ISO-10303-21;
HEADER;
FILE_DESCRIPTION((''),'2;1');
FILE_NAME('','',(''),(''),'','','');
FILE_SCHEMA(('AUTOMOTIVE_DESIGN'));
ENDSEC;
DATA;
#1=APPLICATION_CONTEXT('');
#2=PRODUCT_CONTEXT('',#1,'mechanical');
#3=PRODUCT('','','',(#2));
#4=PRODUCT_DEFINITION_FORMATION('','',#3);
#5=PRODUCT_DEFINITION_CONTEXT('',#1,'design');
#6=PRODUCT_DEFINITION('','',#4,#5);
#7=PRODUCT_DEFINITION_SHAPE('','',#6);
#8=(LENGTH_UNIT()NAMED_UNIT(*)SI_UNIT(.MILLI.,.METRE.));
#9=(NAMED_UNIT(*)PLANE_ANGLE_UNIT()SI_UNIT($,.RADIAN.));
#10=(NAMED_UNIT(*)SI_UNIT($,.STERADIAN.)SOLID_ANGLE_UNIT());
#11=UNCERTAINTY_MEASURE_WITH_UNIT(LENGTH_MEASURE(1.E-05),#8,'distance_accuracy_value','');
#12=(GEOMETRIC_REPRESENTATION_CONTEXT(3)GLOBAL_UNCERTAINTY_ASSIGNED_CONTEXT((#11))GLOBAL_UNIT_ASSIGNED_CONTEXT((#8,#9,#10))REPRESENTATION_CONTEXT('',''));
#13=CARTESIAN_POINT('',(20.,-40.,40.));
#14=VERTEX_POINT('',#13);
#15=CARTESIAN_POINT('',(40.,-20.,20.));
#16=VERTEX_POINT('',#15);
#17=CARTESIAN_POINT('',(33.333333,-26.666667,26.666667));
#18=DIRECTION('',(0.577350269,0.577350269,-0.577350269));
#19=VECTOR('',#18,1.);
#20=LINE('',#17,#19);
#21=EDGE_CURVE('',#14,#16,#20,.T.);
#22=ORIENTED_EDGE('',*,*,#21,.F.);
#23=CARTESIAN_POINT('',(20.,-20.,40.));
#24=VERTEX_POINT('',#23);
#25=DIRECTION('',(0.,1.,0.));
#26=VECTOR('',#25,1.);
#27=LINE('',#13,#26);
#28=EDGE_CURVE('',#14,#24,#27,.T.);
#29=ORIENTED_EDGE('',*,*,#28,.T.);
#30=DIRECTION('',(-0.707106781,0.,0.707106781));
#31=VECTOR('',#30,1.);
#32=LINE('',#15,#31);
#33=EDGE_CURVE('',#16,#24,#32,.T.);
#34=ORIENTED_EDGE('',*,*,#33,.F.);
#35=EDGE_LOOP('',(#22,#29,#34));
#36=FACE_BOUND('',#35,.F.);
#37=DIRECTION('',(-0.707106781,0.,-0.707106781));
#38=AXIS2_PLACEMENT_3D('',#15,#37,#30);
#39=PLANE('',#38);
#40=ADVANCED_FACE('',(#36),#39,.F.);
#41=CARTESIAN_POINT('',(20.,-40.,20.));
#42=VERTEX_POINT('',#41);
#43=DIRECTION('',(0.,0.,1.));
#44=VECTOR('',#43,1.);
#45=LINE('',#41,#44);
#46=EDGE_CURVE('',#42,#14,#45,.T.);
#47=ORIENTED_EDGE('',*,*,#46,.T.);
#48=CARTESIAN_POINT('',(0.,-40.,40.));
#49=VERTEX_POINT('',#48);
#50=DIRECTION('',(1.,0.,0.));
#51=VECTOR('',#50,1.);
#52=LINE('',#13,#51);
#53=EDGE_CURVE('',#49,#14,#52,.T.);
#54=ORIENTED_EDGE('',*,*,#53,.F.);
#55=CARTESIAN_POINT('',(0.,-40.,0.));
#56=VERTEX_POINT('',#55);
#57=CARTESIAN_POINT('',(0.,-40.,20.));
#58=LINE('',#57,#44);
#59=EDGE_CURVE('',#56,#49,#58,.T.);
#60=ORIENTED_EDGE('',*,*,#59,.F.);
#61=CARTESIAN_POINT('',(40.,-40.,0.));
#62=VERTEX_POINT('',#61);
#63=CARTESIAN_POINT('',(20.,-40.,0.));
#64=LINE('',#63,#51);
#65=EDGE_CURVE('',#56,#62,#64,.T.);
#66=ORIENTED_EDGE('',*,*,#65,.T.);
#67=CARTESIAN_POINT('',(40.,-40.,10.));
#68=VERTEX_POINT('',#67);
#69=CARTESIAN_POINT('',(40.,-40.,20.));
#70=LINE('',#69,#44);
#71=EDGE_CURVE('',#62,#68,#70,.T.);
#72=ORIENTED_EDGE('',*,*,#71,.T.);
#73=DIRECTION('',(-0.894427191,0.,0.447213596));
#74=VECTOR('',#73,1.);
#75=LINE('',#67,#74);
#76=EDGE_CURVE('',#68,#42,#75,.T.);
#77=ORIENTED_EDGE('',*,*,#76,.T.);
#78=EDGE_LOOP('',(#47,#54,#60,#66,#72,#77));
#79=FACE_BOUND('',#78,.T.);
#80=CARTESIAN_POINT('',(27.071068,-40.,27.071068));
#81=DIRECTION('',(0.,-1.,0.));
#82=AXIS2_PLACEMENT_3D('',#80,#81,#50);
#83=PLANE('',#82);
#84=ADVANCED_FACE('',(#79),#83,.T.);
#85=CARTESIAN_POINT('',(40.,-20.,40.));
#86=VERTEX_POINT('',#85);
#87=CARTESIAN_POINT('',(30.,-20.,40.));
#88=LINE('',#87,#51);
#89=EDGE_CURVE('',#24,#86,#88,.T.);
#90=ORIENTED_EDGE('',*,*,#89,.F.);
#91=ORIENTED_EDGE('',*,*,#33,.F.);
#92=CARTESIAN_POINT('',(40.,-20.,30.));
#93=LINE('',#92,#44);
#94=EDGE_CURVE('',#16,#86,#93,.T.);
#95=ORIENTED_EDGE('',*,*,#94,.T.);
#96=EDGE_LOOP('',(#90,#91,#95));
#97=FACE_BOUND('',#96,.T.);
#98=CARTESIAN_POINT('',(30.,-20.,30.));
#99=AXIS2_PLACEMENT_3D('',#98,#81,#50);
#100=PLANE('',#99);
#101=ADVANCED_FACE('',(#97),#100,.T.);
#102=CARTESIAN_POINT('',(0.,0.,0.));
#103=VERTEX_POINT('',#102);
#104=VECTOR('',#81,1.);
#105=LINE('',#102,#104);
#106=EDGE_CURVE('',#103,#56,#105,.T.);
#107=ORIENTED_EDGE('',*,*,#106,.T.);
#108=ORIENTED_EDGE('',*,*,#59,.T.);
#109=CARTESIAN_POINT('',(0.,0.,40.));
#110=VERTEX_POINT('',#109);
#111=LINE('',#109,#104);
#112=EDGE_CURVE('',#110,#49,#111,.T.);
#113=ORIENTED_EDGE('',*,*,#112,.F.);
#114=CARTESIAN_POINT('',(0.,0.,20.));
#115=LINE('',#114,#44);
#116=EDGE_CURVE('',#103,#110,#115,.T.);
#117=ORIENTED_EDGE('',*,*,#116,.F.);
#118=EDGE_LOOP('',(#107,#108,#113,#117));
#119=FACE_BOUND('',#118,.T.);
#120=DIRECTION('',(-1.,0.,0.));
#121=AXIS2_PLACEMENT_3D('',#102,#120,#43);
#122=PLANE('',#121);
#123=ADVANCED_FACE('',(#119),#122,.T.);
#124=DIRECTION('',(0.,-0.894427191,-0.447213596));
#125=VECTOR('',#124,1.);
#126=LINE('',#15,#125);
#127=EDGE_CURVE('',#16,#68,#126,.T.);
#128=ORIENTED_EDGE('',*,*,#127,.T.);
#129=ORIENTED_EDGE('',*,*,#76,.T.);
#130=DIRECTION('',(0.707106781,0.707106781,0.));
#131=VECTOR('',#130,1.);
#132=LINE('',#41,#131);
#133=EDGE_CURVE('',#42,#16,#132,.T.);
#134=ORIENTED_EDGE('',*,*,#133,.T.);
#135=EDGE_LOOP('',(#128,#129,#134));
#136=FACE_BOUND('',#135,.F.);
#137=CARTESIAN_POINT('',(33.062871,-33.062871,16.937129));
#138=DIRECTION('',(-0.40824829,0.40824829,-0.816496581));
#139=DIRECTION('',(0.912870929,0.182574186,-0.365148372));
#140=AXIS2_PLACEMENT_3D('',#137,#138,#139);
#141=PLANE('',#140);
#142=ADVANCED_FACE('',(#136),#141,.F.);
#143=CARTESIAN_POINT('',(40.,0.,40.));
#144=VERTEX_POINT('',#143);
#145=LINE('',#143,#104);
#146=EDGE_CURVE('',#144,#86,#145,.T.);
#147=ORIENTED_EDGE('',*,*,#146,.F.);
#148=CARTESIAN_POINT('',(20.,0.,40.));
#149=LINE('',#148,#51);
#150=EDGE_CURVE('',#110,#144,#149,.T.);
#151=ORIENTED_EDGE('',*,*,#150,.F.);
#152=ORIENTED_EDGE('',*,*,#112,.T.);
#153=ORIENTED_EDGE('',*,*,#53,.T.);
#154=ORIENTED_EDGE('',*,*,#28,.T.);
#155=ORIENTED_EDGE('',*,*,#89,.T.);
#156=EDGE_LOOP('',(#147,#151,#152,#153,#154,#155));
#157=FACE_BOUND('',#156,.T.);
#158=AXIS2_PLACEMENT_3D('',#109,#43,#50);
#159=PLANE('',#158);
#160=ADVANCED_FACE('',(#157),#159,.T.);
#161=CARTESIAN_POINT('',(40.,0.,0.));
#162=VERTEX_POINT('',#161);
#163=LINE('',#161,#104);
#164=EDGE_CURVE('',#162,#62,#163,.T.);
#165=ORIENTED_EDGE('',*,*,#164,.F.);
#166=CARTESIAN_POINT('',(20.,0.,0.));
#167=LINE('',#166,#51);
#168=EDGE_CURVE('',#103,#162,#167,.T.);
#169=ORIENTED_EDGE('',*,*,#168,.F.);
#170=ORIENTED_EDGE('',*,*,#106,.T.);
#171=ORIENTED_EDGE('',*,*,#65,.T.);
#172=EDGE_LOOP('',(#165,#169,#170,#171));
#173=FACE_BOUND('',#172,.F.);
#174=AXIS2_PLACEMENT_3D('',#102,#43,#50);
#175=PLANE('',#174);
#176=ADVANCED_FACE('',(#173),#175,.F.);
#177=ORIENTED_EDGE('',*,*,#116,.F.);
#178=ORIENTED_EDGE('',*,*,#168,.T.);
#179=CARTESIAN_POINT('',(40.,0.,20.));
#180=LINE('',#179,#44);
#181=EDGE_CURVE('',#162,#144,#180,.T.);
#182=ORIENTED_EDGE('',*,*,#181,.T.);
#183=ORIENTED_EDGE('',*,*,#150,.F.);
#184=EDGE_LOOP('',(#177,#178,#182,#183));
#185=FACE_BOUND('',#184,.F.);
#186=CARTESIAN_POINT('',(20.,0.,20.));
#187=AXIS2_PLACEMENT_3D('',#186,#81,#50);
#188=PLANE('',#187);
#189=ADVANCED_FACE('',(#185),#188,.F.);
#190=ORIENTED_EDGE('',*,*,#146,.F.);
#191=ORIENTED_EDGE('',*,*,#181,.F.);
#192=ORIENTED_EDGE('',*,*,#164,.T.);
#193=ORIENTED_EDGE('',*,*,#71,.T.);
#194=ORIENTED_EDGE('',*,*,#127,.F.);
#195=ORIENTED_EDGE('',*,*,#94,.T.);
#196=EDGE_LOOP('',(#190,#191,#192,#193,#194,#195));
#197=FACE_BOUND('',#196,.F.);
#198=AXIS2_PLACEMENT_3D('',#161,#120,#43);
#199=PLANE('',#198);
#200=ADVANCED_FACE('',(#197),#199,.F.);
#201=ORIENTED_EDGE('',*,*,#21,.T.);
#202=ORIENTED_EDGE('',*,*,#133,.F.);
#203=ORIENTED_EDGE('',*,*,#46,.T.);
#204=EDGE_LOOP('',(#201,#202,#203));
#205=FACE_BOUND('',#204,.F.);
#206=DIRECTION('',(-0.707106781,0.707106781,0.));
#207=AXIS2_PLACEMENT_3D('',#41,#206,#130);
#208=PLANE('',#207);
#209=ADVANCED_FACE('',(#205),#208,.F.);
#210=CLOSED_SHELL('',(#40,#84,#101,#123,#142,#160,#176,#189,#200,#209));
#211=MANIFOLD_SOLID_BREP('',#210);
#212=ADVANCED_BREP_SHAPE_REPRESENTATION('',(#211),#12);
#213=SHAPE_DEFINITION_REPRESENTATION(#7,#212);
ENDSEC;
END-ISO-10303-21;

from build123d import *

# Parameters (mm, degrees)
F0_W      = 40
F0_H      = 40
F1_DEPTH  = 40
F2_W      = 20
F2_H      = 20
F3_DEPTH  = 20
F7_DEPTH  = 24.4958974278
F9_DEPTH  = 20
F11_DEPTH = 20


with BuildPart() as f1:
    # F0 (on Front) → F1 (new body)
    with BuildSketch(Plane.XZ):
        with Locations((20, 20)):
            Rectangle(F0_W, F0_H)
    extrude(amount=F1_DEPTH)

    # F2 (on face) → F3 (cut)
    with BuildSketch(Plane.XZ.offset(40)):
        with Locations((30, 30)):
            Rectangle(F2_W, F2_H)
    extrude(amount=-F3_DEPTH, mode=Mode.SUBTRACT)

    # F6 (on 3pt) → F7 (cut, through all)
    with BuildSketch(Plane(origin=(16.6666666667, -16.6666666667, 33.3333333333), x_dir=(0.9128709292, 0.1825741858, -0.3651483717), z_dir=(-0.4082482905, 0.4082482905, -0.8164965809))):
        Polygon((3.6514837167, 26.83281573), (25.5603860169, 8.94427191), (25.5603860169, 31.304951685), align=None)
    extrude(amount=-F7_DEPTH, mode=Mode.SUBTRACT)

    # F8 (on face) → F9 (join, through all)
    with BuildSketch(Plane.XZ.offset(20)):
        Polygon((40, 20), (20, 40), (20, 20), align=None)
    extrude(amount=F9_DEPTH)

    # F10 (on face) → F11 (cut, through all)
    with BuildSketch(Plane(origin=(0, 0, 20), x_dir=(1, 0, 0), z_dir=(0, 0, -1))):
        Polygon((20, 40), (40, 20), (40, 40), align=None)
    extrude(amount=-F11_DEPTH, mode=Mode.SUBTRACT)


solid = f1.part
